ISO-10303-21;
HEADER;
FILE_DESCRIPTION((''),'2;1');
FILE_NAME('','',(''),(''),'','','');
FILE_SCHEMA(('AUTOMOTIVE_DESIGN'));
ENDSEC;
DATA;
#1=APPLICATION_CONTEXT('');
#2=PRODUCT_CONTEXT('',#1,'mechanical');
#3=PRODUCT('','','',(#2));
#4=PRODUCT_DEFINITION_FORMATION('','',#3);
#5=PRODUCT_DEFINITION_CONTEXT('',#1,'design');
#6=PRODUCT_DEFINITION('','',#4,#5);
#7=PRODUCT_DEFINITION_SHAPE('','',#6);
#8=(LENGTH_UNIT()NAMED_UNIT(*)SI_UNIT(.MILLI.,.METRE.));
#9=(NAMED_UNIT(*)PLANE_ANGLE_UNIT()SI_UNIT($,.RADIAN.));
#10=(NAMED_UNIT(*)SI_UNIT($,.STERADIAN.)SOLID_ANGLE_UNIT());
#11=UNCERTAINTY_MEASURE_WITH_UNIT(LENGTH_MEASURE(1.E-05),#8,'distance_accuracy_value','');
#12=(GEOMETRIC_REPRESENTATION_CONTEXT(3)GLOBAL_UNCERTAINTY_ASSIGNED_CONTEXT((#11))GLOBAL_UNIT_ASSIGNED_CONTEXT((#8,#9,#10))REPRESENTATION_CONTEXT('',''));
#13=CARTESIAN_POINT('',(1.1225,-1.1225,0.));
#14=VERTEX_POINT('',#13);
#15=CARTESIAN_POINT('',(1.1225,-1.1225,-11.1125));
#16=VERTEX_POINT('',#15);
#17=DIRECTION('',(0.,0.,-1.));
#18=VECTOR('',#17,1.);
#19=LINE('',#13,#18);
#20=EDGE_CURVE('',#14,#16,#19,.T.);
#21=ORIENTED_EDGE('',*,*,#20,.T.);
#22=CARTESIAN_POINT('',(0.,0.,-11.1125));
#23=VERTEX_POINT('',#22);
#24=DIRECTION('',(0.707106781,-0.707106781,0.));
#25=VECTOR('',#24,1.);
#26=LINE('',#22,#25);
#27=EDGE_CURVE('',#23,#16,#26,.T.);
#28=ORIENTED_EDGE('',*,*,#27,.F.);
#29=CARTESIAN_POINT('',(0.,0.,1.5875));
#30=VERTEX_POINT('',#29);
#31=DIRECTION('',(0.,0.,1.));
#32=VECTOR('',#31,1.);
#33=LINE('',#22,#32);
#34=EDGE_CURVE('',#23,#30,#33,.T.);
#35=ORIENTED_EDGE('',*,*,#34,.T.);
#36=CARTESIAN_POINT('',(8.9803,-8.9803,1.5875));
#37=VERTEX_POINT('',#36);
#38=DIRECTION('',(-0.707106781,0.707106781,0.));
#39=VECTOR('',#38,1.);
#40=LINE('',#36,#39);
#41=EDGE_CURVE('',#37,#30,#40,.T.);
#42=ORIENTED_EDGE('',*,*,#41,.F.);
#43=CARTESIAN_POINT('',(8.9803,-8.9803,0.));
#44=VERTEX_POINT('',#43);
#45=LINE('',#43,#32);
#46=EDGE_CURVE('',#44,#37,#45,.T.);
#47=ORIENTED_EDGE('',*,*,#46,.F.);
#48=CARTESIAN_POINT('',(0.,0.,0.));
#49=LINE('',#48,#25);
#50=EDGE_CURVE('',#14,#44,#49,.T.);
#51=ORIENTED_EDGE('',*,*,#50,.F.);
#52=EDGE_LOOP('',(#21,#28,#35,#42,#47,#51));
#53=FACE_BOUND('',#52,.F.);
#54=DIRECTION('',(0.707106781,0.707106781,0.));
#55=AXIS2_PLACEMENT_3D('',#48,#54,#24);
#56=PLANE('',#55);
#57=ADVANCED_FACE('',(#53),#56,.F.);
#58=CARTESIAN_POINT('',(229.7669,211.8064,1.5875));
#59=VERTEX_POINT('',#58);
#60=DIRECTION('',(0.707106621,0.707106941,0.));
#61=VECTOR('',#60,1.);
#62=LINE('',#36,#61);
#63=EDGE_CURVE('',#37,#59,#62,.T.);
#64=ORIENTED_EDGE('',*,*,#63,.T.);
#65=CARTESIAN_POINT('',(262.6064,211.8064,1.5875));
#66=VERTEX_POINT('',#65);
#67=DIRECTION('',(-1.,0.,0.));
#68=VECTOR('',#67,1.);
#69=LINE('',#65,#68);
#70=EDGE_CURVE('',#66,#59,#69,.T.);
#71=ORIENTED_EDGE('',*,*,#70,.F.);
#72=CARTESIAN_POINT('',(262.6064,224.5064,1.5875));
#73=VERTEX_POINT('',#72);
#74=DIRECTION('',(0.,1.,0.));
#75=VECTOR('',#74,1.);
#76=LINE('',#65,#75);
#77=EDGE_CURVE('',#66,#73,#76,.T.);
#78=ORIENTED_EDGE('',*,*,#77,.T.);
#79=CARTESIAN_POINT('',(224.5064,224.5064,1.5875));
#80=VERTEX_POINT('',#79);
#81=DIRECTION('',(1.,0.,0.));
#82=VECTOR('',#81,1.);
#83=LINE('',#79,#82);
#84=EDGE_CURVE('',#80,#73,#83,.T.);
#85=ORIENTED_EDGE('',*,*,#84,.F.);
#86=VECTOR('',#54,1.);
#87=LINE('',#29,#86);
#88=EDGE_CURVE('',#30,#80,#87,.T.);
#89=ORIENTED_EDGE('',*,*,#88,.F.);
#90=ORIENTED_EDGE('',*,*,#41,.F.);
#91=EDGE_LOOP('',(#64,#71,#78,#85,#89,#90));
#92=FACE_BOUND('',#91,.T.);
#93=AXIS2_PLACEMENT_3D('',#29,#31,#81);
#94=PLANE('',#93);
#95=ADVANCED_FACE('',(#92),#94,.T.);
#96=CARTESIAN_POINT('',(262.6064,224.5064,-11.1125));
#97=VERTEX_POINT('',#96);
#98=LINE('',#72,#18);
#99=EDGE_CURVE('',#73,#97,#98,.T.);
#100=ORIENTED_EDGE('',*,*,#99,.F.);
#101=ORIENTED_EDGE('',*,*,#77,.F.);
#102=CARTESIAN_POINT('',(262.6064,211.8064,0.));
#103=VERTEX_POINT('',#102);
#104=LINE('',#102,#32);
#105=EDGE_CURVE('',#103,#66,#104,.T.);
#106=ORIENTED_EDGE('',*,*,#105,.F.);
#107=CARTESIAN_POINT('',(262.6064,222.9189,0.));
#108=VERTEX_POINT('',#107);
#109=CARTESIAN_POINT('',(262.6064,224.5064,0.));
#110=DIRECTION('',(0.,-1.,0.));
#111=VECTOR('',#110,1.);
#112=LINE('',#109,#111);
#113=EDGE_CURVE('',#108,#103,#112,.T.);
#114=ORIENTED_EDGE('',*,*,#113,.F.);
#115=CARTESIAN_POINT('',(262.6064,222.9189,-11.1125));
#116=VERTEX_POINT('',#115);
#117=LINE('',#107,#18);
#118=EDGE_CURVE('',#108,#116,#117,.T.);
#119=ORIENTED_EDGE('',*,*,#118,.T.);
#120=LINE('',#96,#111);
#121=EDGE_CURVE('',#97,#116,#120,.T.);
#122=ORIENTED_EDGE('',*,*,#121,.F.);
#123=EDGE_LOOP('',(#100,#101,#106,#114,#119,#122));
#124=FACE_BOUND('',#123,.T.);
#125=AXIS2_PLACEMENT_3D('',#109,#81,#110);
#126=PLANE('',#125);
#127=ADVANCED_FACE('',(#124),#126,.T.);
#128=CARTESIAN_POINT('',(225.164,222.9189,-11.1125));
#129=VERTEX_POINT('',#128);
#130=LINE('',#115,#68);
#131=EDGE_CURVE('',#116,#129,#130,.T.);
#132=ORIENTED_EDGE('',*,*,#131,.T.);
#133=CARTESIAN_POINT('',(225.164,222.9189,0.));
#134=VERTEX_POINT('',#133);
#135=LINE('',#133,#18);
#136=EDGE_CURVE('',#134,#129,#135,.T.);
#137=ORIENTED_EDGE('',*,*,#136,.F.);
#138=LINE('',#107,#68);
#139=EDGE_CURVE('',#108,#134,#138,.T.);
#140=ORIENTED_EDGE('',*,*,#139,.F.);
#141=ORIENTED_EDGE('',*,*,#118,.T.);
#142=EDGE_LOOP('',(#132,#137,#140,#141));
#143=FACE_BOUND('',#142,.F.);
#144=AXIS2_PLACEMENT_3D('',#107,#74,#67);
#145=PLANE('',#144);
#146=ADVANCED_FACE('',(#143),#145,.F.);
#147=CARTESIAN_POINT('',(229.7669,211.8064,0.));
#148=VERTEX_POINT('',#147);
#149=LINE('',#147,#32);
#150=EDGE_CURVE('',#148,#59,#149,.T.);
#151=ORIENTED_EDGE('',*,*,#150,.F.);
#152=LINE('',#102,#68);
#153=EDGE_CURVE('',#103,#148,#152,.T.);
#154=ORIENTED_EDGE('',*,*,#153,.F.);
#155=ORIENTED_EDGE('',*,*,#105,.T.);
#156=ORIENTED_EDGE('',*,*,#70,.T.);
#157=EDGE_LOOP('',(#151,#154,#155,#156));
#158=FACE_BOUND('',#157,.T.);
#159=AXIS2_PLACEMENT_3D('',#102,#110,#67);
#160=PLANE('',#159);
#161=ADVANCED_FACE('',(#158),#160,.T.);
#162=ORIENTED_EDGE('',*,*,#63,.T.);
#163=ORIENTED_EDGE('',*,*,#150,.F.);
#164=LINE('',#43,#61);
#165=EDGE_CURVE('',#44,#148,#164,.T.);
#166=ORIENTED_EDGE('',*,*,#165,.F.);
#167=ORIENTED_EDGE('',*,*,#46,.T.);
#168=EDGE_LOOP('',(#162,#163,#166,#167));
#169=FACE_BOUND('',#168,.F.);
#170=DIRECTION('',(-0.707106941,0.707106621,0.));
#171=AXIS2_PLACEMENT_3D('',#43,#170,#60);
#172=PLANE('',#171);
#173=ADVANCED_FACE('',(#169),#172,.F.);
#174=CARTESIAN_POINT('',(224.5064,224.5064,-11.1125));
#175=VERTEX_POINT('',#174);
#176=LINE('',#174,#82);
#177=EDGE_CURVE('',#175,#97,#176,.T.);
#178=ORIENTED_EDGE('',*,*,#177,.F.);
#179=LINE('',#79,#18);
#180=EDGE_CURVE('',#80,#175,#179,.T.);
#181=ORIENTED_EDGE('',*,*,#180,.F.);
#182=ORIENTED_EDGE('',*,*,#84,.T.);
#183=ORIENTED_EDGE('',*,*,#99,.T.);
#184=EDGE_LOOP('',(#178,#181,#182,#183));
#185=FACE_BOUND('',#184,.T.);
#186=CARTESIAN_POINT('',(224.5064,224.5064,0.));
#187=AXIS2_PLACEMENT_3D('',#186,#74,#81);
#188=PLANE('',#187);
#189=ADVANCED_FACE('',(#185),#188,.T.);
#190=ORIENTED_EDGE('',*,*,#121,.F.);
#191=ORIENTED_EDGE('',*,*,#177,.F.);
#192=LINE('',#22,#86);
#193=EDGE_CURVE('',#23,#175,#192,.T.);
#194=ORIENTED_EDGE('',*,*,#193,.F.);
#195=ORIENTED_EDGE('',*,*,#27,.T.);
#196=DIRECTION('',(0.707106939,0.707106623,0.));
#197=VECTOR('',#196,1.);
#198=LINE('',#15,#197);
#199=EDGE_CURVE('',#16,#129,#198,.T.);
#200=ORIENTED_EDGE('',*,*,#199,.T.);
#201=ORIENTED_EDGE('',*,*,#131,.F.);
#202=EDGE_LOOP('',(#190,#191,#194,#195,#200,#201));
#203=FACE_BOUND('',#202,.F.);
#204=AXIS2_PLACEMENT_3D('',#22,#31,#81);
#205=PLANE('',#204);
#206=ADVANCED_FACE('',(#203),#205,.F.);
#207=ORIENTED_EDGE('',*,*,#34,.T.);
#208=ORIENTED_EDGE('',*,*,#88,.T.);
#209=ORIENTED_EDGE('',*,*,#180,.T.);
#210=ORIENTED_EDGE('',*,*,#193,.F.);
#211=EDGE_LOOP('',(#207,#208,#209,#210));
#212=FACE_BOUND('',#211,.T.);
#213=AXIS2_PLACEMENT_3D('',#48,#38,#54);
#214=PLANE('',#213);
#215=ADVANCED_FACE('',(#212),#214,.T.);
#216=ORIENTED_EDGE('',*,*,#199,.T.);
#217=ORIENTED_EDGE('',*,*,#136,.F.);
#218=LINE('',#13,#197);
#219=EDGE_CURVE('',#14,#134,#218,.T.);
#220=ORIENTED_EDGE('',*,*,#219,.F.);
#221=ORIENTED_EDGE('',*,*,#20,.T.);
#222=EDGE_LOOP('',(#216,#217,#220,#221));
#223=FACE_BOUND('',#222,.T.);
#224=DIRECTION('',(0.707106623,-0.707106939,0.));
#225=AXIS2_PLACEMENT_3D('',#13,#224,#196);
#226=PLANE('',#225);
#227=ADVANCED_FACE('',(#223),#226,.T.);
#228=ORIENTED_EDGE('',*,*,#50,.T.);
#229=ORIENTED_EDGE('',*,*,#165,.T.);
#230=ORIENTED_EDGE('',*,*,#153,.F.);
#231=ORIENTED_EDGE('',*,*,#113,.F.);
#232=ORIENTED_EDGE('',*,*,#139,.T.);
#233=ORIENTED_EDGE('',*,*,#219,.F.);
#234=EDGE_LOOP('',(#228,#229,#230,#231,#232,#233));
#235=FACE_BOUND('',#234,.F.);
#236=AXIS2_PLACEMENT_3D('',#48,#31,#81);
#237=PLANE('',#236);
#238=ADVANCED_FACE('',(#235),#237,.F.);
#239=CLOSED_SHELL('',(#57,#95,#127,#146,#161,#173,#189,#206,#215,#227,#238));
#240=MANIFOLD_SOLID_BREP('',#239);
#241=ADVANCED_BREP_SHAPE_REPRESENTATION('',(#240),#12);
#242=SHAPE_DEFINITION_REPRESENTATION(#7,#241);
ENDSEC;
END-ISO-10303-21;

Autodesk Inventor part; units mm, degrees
ref_plane "YZ Plane" through (0, 0, 0) normal (1, 0, 0) x (0, 1, 0)
ref_plane "XZ Plane" through (0, 0, 0) normal (0, 1, 0) x (-1, 0, 0)
ref_plane "XY Plane" through (0, 0, 0) normal (0, 0, 1) x (1, 0, 0)
sketch "Sketch1" plane through (0, 0, 0) normal (0, 0, 1) x (1, 0, 0)
  line L0 (0, 0) -> (224.5064, 224.5064)
  line L1 (0, 0) -> (317.5, 0) construction
  line L2 (224.5064, 224.5064) -> (262.6064, 224.5064)
  line L3 (262.6064, 224.5064) -> (262.6064, 211.8064)
  line L4 (262.6064, 211.8064) -> (229.7669, 211.8064)
  line L5 (229.7669, 211.8064) -> (224.5064, 224.5064)
  line L6 (0, 0) -> (8.9803, -8.9803)
  line L7 (8.9803, -8.9803) -> (229.7669, 211.8064)
  line L8 (0, 0) -> (1.1225, -1.1225)
  line L9 (1.1225, -1.1225) -> (225.164, 222.9189)
  line L10 (262.6064, 224.5064) -> (262.6064, 222.9189)
  line L11 (262.6064, 222.9189) -> (225.164, 222.9189)
  dimension "d0" = 317.5
  dimension "d1" = 45
  dimension "d2" = 38.1
  dimension "d3" = 12.7
  dimension "d4" = 12.7
  dimension "d5" = 90
  dimension "d8" = 1.5875
  dimension "d9" = 1.5875
extrude "Extrusion1" add sketch "Sketch1" along normal blind 1.5875
extrude "Extrusion2" add sketch "Sketch1" against normal blind 11.1125 contours L0 L5 L9 L6 | L2 L3 L11 L5
properties part number "DiagR"
